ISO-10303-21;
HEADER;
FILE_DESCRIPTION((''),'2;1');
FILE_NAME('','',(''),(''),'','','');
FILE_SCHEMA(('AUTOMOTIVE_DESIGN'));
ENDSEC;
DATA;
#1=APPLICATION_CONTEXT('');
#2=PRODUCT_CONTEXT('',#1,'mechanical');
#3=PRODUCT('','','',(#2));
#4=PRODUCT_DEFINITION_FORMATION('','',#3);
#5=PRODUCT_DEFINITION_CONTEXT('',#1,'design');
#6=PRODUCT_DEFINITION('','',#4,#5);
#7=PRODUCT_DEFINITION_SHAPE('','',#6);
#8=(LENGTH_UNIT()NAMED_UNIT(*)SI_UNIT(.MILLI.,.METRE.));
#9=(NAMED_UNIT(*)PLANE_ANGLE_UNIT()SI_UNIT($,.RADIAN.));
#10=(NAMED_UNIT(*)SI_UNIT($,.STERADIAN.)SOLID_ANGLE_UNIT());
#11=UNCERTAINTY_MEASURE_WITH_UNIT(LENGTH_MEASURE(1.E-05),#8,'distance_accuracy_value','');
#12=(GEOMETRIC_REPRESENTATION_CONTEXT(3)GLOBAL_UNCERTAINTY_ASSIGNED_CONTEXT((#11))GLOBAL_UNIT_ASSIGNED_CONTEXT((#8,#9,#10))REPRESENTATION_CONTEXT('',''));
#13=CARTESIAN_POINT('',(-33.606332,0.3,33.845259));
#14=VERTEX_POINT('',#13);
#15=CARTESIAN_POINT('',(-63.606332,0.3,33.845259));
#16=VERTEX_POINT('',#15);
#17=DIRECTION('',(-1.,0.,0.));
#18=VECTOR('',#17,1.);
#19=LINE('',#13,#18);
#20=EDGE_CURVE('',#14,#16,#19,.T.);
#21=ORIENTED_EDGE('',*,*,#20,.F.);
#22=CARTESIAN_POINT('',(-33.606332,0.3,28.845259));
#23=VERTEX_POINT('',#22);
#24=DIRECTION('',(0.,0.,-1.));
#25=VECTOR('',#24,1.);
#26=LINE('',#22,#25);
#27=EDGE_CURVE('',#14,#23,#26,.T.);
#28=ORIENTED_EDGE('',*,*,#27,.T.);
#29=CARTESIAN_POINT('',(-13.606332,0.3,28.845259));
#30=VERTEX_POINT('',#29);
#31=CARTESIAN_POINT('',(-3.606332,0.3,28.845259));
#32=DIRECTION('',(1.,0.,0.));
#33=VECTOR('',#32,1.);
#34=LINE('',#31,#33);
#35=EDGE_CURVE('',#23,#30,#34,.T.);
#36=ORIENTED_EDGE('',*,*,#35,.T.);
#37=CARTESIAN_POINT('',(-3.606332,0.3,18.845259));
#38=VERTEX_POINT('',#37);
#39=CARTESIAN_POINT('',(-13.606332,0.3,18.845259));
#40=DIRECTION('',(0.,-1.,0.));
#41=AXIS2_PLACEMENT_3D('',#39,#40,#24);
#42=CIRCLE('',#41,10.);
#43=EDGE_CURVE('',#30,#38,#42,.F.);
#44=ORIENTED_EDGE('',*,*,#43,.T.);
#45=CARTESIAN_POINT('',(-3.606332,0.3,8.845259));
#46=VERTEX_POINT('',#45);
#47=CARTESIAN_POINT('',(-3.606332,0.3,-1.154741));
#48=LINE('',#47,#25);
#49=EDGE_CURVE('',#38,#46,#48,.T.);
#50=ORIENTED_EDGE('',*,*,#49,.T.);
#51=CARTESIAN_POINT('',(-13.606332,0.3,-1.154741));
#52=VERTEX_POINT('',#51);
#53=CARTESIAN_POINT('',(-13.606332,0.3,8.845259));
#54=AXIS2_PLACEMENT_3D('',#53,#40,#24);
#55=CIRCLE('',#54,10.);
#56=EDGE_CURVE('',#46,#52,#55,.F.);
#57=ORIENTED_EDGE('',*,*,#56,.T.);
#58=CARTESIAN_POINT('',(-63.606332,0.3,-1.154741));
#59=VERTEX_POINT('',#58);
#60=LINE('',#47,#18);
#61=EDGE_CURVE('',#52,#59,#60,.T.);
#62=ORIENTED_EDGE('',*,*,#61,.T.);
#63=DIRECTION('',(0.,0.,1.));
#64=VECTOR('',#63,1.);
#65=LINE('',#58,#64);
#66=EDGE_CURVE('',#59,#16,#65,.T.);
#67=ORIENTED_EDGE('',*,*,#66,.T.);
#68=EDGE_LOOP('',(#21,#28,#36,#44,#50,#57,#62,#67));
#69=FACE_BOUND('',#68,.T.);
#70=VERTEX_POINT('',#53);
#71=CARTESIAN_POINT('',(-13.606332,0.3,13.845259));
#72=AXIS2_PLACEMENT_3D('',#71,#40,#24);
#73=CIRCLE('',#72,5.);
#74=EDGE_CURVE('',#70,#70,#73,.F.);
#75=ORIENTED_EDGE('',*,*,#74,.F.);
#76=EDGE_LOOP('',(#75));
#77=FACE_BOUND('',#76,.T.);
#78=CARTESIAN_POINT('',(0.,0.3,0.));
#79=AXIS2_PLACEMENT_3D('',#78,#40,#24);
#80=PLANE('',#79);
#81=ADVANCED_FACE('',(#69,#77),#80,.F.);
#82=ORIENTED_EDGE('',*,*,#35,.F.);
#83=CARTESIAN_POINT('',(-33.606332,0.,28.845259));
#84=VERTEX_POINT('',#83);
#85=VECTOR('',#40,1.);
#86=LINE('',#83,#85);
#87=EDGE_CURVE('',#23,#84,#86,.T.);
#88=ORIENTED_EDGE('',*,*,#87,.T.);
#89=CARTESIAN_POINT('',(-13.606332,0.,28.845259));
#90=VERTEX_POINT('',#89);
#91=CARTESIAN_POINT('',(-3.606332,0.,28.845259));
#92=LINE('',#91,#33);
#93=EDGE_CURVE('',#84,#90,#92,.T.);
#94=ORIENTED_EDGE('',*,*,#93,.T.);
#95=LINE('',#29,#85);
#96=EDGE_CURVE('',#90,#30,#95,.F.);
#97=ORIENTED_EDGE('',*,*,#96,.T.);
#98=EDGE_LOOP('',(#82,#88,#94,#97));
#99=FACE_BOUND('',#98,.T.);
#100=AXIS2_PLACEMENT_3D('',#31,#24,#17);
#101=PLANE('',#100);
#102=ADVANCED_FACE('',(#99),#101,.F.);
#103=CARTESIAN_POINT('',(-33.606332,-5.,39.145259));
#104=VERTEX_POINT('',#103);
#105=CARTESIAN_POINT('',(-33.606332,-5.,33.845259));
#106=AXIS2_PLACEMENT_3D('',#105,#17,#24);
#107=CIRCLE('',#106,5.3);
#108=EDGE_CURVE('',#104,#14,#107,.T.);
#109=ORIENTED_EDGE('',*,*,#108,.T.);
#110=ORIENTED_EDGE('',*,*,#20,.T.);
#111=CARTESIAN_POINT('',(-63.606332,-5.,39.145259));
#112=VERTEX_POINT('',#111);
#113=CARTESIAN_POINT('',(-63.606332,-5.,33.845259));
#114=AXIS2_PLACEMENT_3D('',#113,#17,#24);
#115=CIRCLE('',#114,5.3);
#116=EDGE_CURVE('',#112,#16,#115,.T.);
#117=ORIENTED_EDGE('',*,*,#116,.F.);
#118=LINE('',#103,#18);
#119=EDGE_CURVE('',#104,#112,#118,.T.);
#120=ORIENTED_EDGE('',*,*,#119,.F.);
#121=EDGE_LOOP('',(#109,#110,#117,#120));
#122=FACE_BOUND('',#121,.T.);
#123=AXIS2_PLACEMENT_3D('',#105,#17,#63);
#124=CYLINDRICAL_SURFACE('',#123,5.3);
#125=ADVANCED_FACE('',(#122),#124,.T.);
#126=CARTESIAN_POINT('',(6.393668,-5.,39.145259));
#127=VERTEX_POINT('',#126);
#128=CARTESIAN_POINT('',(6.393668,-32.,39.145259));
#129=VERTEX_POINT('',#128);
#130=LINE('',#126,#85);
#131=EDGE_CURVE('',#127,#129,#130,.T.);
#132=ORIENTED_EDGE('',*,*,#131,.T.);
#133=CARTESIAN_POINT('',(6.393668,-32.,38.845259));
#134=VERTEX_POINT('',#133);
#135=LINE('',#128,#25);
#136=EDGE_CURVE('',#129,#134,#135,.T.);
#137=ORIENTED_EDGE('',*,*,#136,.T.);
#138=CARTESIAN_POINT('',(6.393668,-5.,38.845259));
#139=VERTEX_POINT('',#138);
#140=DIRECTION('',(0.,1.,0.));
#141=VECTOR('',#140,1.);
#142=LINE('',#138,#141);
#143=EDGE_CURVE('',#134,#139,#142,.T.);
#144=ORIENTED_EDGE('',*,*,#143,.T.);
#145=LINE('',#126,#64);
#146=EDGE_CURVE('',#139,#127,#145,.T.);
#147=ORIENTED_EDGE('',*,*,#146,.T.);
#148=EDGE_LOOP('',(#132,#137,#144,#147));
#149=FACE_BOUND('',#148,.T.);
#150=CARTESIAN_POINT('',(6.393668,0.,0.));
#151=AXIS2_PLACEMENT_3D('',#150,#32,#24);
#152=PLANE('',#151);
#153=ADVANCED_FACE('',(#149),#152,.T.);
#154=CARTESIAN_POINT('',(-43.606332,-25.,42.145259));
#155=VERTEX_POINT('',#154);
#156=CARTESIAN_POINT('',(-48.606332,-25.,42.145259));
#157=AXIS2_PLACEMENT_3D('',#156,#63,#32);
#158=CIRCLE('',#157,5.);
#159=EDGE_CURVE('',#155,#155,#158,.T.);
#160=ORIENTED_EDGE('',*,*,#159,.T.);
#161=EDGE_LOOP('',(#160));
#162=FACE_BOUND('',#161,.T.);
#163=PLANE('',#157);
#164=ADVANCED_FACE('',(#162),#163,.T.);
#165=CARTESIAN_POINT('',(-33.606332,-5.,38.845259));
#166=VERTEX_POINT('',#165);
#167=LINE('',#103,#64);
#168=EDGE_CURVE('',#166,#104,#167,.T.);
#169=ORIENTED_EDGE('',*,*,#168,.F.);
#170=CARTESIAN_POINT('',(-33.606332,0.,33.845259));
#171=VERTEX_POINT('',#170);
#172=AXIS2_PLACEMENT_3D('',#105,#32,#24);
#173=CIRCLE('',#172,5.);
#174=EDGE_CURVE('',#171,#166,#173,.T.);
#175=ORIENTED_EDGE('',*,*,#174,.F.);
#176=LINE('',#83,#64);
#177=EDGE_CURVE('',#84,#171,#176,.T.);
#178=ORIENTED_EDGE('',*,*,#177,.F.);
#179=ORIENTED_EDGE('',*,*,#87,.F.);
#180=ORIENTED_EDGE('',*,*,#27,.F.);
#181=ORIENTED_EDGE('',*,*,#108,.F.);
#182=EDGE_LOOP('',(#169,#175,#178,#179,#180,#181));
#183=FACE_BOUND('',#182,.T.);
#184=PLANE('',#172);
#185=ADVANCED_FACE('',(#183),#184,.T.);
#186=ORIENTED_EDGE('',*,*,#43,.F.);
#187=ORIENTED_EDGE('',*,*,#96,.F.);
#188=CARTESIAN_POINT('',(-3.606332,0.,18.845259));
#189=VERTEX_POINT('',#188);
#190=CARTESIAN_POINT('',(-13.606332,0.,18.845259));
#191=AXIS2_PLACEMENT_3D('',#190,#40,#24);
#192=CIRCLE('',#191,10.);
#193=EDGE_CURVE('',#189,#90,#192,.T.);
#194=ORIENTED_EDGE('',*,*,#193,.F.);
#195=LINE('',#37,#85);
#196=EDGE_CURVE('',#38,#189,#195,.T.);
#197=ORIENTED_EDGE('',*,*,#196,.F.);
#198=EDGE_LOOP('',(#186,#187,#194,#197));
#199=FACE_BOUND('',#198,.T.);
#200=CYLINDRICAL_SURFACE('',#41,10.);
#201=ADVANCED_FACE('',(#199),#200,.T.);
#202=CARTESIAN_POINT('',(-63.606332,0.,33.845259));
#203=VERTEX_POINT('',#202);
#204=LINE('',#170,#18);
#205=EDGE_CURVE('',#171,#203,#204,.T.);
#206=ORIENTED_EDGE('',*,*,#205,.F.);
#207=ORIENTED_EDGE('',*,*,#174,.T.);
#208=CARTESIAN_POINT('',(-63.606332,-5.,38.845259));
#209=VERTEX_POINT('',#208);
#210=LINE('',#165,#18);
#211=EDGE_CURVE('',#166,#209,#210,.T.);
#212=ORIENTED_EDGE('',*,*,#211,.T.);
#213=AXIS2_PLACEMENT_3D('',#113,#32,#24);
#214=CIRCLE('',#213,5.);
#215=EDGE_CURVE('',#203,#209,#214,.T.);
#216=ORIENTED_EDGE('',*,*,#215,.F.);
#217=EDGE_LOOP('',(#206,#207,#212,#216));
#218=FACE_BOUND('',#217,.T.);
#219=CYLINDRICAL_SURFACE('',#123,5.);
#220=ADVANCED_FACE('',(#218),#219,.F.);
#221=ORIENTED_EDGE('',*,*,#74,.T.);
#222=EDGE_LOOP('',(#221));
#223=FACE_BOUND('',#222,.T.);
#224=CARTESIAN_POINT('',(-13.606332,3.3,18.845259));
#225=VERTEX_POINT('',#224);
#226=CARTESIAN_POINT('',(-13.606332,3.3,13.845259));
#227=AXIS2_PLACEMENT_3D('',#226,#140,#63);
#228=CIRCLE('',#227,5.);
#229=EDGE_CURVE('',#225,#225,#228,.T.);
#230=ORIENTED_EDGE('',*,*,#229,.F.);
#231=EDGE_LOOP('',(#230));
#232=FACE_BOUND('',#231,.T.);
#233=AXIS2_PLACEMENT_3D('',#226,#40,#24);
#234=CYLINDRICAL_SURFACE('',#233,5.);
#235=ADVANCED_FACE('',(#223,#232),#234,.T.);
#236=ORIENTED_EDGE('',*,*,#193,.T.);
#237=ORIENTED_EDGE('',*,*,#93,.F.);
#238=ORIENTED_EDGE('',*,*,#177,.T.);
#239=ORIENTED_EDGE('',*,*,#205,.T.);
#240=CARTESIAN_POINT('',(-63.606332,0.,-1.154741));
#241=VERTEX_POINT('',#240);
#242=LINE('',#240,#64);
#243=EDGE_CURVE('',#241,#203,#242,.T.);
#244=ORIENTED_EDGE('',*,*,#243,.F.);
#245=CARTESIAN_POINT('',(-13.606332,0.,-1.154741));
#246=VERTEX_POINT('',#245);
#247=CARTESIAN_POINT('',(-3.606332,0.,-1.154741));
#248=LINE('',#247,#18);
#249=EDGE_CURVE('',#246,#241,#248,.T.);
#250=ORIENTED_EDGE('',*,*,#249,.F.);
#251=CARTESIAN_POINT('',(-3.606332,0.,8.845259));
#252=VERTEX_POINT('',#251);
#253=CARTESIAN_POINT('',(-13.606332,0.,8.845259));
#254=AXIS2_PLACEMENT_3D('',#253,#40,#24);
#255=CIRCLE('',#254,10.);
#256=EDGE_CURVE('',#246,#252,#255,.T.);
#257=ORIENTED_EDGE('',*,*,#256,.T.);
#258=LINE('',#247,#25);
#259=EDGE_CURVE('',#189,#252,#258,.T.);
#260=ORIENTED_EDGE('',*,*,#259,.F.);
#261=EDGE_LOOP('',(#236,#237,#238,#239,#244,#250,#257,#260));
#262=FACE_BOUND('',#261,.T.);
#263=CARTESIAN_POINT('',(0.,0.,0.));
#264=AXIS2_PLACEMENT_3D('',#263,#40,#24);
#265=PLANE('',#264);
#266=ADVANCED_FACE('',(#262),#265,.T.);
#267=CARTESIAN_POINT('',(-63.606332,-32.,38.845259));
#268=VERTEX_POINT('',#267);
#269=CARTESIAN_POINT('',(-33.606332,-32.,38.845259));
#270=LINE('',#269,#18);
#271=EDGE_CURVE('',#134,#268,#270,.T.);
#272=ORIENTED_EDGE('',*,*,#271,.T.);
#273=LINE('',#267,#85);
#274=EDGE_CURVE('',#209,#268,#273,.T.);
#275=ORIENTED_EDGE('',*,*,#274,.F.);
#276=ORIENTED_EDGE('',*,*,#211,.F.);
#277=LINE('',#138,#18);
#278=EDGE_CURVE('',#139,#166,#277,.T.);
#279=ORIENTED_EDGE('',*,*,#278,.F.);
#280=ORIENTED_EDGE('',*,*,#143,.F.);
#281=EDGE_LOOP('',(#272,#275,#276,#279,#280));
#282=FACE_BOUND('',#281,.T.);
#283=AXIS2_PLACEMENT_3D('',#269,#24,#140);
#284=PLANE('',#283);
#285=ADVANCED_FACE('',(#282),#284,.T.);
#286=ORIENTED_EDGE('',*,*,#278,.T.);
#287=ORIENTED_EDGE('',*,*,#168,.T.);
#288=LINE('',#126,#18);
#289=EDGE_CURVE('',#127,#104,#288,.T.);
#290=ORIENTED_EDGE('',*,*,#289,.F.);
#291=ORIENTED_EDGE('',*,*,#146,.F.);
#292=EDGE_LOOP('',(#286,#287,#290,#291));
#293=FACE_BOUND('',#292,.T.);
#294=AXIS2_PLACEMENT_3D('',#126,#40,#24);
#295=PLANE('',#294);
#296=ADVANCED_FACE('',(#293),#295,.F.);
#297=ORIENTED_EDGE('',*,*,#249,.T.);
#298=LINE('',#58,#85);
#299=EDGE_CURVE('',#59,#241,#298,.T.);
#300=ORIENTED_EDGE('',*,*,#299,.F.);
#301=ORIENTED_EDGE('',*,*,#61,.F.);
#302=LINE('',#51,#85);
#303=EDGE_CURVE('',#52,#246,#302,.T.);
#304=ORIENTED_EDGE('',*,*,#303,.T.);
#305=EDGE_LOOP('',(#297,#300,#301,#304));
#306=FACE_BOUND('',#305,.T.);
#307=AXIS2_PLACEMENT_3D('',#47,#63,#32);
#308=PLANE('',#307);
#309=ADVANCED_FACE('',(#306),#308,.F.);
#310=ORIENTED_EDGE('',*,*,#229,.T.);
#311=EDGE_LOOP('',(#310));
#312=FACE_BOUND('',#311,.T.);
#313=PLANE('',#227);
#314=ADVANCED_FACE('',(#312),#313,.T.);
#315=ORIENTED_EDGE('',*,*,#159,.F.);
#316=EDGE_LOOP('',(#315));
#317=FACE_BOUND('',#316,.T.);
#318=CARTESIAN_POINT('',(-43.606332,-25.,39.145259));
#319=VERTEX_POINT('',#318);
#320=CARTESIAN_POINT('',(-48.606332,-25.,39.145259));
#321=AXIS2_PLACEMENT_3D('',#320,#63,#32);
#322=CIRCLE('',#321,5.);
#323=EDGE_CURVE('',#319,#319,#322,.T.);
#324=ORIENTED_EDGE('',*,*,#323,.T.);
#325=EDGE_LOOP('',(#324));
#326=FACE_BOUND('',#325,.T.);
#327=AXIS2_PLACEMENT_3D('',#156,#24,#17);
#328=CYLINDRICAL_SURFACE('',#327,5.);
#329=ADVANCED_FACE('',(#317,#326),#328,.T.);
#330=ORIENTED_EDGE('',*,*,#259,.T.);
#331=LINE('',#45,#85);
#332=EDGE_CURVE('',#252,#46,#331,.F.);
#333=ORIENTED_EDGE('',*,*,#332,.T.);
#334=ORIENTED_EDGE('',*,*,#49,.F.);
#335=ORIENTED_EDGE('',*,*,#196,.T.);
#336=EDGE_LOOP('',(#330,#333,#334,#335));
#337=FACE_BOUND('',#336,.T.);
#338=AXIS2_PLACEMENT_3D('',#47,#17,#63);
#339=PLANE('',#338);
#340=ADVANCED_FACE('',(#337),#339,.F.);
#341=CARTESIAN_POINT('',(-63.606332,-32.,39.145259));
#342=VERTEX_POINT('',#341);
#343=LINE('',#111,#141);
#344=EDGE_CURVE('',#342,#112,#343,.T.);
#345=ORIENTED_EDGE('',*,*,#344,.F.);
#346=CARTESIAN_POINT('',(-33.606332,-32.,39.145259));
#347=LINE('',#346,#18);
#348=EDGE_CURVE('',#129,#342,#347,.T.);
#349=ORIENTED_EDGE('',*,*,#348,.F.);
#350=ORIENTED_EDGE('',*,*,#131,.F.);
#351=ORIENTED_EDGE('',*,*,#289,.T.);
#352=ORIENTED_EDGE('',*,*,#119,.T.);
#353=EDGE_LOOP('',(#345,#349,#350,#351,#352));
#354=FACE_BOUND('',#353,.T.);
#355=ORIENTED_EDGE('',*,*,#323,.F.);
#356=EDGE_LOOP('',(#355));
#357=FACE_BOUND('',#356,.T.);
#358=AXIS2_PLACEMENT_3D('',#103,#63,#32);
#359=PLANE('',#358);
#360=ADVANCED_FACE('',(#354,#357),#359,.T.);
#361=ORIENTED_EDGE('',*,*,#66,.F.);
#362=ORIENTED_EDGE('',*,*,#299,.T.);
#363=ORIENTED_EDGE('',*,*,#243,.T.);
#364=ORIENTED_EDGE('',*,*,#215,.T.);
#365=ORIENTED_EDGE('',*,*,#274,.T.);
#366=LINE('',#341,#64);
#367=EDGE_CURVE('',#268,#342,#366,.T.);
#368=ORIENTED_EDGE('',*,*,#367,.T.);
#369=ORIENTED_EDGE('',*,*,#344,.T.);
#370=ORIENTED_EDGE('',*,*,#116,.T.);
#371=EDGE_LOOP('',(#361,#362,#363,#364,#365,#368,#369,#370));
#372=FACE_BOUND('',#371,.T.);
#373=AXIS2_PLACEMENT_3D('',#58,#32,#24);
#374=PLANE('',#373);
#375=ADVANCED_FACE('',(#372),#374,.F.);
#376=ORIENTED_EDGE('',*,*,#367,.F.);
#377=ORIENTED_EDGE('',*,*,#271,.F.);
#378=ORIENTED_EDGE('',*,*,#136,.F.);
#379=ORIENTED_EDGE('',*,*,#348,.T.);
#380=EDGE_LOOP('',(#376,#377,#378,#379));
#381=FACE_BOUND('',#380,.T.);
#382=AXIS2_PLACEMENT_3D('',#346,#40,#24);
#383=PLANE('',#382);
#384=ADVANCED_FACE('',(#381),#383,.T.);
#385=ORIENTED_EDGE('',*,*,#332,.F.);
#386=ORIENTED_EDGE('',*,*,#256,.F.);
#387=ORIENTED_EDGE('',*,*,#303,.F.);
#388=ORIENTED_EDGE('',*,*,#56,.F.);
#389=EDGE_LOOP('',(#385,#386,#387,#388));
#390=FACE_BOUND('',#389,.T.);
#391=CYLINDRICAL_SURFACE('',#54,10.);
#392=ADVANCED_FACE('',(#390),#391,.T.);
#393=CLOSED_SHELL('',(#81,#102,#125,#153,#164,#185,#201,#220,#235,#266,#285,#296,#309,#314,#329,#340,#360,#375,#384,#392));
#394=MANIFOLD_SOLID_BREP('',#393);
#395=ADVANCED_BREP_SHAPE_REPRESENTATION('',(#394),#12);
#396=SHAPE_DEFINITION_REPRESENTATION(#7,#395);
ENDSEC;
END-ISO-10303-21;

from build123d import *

# Parameters (mm, degrees)
SKETCH1_W           = 60
SKETCH1_H           = 30
BOSS_EXTRUDE1_DEPTH = 0.3
BOSS_EXTRUDE3_DEPTH = 30
SKETCH7_R           = 5
BOSS_EXTRUDE4_DEPTH = 3
SKETCH8_R           = 5
BOSS_EXTRUDE5_DEPTH = 3
SKETCH9_W           = 0.3
SKETCH9_H           = 27
BOSS_EXTRUDE6_DEPTH = 40
FILLET1_R           = 10


with BuildPart() as part:
    # Sketch1 → Boss-Extrude1 (new body)
    with BuildSketch(Plane(origin=(0, 0, 0), x_dir=(1, 0, 0), z_dir=(0, 1, 0))):
        with Locations((-33.606331541, -13.845258597)):
            Rectangle(SKETCH1_W, SKETCH1_H)
    extrude(amount=BOSS_EXTRUDE1_DEPTH)

    # Sketch6 → Boss-Extrude3 (add)
    with BuildSketch(Plane.ZY.offset(63.606331541)):
        with BuildLine():
            Line((28.845258597, 0.3), (33.845258597, 0.3))
            ThreePointArc((33.845258597, 0.3), (37.592924537, -1.25233406), (39.145258597, -5))
            Line((39.145258597, -5), (39.145258597, -32))
            Line((39.145258597, -32), (38.845258597, -32))
            Line((38.845258597, -32), (38.845258597, -5))
            ThreePointArc((38.845258597, -5), (37.380792503, -1.464466094), (33.845258597, 0))
            Line((33.845258597, 0), (28.845258597, 0))
            Line((28.845258597, 0), (28.845258597, 0.3))
        make_face()
    extrude(amount=-BOSS_EXTRUDE3_DEPTH)

    # Sketch7 → Boss-Extrude4 (add)
    with BuildSketch(Plane.XY.offset(39.145258597)):
        with Locations((-48.606331541, -25)):
            Circle(SKETCH7_R)
    extrude(amount=BOSS_EXTRUDE4_DEPTH)

    # Sketch8 → Boss-Extrude5 (add)
    with BuildSketch(Plane(origin=(0, 0.3, 0), x_dir=(1, 0, 0), z_dir=(0, 1, 0))):
        with Locations((-13.606331541, -13.845258597)):
            Circle(SKETCH8_R)
    extrude(amount=BOSS_EXTRUDE5_DEPTH)

    # Sketch9 → Boss-Extrude6 (add)
    with BuildSketch(Plane(origin=(-33.606331541, 0, 0), x_dir=(0, 0, -1), z_dir=(1, 0, 0))):
        with Locations((-38.995258597, -18.5)):
            Rectangle(SKETCH9_W, SKETCH9_H)
    extrude(amount=BOSS_EXTRUDE6_DEPTH)

    # Fillet1
    fillet1_edges = [part.edges().sort_by_distance(p)[0] for p in [
        (-3.606331541, 0.15, 28.845258597),
        (-3.606331541, 0.15, -1.154741403),
    ]]
    fillet(fillet1_edges, radius=FILLET1_R)


solid = part.part
